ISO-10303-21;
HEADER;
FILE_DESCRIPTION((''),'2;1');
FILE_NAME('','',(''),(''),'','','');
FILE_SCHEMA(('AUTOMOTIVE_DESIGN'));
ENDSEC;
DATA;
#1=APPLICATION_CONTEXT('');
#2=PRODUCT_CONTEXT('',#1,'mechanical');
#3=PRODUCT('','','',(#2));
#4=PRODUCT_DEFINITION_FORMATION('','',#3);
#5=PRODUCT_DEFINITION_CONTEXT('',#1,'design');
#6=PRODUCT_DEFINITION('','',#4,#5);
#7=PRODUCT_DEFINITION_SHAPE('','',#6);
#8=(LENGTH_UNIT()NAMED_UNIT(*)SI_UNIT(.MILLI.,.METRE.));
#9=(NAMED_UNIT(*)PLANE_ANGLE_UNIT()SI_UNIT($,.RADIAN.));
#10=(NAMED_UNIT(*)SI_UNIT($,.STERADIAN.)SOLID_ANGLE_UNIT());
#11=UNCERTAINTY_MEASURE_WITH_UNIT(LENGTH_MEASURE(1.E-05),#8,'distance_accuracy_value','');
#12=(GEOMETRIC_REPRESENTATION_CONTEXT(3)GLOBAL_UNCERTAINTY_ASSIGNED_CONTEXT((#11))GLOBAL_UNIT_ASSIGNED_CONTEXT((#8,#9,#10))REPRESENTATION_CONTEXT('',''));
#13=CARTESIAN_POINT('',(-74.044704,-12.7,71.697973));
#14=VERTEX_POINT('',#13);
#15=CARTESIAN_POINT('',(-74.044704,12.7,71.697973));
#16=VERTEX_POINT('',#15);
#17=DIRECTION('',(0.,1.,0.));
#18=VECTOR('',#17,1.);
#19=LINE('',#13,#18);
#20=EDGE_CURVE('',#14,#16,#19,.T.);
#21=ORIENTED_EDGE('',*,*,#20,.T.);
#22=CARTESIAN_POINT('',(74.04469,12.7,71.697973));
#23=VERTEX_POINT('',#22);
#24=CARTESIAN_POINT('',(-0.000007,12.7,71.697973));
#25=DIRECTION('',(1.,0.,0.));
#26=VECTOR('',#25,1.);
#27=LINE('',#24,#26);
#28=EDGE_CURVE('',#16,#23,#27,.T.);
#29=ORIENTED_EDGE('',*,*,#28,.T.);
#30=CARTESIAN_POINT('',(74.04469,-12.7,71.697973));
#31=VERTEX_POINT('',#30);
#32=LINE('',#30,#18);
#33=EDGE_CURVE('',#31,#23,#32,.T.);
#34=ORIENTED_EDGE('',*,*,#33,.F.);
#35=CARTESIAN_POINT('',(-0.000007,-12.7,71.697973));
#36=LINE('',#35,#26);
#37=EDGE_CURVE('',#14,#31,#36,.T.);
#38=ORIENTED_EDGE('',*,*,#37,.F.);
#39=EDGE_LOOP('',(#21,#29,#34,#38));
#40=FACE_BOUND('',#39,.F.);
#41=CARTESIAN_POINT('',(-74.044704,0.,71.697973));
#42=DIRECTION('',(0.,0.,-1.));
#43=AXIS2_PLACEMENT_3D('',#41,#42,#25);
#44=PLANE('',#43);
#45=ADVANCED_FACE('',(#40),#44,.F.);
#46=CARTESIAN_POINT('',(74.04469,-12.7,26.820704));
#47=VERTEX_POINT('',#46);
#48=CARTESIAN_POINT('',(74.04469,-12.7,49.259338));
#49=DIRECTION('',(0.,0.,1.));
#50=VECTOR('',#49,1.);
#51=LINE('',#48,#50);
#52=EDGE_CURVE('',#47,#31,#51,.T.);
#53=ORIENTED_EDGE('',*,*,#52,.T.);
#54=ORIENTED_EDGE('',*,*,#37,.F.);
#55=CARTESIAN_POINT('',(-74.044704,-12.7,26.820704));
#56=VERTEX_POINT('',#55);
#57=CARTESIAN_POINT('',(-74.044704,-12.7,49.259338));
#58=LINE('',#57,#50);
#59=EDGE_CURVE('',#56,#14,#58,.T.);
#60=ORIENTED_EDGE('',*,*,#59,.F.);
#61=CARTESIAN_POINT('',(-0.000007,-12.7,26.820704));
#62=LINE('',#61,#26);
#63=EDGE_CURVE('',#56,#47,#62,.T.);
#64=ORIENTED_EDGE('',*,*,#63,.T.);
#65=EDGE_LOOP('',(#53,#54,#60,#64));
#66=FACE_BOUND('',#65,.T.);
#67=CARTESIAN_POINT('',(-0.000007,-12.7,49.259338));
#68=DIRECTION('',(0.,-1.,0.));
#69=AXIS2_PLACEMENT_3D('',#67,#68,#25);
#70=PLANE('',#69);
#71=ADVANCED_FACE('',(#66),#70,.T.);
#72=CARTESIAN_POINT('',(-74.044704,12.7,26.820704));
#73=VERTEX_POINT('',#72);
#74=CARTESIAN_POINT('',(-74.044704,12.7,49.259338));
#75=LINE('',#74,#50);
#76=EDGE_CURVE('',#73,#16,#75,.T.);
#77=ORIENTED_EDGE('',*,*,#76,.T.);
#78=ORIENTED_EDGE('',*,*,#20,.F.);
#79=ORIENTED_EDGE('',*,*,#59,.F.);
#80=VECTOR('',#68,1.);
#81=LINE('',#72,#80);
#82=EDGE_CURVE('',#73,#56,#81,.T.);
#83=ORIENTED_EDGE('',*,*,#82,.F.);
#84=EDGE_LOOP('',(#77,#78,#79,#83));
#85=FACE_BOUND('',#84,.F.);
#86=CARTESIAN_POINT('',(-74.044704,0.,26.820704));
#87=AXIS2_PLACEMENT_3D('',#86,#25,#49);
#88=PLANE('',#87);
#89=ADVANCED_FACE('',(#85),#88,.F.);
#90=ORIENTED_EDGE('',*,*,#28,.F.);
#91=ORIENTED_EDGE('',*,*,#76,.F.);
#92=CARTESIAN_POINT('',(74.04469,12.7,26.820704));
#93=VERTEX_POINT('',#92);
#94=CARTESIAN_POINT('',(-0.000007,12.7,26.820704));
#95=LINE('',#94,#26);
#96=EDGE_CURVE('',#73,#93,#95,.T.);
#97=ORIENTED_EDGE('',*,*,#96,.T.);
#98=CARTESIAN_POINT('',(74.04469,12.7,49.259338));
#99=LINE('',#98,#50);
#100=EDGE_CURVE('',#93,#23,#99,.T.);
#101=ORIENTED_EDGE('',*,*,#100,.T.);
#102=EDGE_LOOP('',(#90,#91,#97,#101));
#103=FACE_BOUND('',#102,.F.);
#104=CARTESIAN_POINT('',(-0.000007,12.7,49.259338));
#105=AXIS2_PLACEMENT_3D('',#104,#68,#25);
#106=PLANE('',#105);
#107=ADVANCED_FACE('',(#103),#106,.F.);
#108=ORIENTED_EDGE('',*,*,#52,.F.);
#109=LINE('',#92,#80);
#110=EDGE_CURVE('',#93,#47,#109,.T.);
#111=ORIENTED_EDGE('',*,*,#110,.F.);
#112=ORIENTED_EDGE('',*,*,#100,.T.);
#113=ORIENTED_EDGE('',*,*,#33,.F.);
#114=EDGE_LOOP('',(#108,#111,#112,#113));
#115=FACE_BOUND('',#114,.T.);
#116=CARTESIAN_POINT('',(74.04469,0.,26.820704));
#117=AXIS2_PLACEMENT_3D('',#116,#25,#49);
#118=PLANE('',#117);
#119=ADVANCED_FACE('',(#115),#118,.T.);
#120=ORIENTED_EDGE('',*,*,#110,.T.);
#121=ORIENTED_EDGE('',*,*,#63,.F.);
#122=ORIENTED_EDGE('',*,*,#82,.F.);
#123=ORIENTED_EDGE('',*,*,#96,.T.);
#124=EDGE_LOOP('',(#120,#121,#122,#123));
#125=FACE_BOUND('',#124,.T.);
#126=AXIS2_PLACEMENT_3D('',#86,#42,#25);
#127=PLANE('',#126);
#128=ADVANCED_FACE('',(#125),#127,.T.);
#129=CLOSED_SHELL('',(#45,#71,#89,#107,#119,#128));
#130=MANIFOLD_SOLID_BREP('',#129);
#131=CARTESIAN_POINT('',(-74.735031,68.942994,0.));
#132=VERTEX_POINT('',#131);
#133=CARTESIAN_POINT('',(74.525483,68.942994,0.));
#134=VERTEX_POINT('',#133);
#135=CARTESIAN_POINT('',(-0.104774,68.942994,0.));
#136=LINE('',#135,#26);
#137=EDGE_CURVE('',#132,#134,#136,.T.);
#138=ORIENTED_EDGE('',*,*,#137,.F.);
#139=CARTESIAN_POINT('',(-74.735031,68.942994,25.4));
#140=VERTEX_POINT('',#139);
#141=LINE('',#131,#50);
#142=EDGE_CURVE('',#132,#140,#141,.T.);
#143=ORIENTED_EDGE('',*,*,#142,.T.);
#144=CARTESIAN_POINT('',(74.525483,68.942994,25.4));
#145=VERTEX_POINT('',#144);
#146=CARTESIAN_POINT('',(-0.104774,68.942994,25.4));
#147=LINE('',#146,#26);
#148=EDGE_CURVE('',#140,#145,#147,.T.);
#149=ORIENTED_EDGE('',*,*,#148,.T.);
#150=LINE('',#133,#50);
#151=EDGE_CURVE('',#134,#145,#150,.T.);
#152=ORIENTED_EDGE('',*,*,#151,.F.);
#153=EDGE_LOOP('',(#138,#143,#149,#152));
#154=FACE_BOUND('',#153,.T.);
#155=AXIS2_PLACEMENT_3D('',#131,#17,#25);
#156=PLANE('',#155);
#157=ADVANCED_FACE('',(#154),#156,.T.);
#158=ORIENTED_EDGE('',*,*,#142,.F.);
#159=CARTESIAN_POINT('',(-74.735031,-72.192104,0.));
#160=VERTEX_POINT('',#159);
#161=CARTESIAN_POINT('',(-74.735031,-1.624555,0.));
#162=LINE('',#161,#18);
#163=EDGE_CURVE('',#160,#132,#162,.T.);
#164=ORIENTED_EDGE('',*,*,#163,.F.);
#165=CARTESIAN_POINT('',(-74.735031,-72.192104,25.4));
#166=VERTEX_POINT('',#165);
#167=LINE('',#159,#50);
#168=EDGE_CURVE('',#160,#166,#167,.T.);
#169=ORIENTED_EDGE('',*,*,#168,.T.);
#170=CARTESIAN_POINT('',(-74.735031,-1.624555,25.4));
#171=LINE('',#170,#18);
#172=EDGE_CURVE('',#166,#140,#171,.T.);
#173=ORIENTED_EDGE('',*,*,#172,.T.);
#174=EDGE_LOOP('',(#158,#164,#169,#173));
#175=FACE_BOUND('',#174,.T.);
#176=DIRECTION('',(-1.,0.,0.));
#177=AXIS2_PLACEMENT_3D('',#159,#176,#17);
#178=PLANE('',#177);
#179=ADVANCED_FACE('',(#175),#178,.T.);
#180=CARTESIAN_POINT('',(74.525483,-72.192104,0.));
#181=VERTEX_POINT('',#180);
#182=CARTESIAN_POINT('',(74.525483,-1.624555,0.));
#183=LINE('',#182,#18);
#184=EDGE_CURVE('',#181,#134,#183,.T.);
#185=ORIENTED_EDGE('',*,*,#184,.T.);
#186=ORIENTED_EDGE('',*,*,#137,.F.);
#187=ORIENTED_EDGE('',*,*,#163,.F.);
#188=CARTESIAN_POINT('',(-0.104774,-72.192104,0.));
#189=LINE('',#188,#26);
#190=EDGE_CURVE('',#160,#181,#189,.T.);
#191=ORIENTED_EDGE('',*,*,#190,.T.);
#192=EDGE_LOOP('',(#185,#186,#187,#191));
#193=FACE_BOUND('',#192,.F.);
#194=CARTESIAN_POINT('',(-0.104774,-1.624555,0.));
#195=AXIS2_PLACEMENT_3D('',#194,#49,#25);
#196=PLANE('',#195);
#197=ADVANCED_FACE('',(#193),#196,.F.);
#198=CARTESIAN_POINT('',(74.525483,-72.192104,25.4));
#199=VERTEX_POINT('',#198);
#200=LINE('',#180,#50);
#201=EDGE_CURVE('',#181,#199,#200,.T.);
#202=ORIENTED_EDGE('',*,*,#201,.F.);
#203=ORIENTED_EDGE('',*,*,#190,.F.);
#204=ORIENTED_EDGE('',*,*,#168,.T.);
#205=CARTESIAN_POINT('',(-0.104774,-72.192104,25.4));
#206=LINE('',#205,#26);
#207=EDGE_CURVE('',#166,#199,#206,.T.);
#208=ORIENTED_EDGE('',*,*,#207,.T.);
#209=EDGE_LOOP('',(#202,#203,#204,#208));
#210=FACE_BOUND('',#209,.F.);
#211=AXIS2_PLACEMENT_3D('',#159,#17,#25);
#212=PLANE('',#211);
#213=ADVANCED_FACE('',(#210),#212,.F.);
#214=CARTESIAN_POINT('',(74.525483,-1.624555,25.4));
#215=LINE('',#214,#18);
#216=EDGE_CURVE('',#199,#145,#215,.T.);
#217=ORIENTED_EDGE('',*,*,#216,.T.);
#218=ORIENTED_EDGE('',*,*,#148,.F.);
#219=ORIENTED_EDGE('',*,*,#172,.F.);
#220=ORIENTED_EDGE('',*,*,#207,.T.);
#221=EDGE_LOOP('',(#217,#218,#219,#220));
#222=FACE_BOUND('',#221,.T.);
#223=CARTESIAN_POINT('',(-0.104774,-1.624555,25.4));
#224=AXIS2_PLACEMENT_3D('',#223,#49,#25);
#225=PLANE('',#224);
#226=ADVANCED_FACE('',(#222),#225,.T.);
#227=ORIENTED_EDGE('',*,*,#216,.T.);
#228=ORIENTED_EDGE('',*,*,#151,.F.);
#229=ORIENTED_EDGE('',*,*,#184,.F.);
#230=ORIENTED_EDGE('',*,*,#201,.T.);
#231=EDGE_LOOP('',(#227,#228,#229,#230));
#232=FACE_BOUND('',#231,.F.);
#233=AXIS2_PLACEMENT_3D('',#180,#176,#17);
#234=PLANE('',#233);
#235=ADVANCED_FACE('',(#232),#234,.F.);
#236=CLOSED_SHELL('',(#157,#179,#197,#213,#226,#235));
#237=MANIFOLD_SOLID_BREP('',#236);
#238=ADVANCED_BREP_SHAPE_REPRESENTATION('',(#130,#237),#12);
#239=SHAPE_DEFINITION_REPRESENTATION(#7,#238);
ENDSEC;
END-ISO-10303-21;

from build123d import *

# Parameters (mm, degrees)
F0_W     = 149.260514
F0_H     = 141.135097
F1_DEPTH = 25.4
F2_W     = 148.089394
F2_H     = 44.877269
F3_DEPTH = 12.7


with BuildPart() as f1:
    # F0 (on Top) → F1 (new body)
    with BuildSketch(Plane.XY):
        with Locations((-0.104774, -1.624555)):
            Rectangle(F0_W, F0_H)
    extrude(amount=F1_DEPTH)


with BuildPart() as f3:
    # F2 (on Front) → F3 (new body, symmetric)
    with BuildSketch(Plane.XZ):
        with Locations((-7e-06, 49.259338)):
            Rectangle(F2_W, F2_H)
    extrude(amount=F3_DEPTH, both=True)


solid = Compound([f1.part, f3.part])
